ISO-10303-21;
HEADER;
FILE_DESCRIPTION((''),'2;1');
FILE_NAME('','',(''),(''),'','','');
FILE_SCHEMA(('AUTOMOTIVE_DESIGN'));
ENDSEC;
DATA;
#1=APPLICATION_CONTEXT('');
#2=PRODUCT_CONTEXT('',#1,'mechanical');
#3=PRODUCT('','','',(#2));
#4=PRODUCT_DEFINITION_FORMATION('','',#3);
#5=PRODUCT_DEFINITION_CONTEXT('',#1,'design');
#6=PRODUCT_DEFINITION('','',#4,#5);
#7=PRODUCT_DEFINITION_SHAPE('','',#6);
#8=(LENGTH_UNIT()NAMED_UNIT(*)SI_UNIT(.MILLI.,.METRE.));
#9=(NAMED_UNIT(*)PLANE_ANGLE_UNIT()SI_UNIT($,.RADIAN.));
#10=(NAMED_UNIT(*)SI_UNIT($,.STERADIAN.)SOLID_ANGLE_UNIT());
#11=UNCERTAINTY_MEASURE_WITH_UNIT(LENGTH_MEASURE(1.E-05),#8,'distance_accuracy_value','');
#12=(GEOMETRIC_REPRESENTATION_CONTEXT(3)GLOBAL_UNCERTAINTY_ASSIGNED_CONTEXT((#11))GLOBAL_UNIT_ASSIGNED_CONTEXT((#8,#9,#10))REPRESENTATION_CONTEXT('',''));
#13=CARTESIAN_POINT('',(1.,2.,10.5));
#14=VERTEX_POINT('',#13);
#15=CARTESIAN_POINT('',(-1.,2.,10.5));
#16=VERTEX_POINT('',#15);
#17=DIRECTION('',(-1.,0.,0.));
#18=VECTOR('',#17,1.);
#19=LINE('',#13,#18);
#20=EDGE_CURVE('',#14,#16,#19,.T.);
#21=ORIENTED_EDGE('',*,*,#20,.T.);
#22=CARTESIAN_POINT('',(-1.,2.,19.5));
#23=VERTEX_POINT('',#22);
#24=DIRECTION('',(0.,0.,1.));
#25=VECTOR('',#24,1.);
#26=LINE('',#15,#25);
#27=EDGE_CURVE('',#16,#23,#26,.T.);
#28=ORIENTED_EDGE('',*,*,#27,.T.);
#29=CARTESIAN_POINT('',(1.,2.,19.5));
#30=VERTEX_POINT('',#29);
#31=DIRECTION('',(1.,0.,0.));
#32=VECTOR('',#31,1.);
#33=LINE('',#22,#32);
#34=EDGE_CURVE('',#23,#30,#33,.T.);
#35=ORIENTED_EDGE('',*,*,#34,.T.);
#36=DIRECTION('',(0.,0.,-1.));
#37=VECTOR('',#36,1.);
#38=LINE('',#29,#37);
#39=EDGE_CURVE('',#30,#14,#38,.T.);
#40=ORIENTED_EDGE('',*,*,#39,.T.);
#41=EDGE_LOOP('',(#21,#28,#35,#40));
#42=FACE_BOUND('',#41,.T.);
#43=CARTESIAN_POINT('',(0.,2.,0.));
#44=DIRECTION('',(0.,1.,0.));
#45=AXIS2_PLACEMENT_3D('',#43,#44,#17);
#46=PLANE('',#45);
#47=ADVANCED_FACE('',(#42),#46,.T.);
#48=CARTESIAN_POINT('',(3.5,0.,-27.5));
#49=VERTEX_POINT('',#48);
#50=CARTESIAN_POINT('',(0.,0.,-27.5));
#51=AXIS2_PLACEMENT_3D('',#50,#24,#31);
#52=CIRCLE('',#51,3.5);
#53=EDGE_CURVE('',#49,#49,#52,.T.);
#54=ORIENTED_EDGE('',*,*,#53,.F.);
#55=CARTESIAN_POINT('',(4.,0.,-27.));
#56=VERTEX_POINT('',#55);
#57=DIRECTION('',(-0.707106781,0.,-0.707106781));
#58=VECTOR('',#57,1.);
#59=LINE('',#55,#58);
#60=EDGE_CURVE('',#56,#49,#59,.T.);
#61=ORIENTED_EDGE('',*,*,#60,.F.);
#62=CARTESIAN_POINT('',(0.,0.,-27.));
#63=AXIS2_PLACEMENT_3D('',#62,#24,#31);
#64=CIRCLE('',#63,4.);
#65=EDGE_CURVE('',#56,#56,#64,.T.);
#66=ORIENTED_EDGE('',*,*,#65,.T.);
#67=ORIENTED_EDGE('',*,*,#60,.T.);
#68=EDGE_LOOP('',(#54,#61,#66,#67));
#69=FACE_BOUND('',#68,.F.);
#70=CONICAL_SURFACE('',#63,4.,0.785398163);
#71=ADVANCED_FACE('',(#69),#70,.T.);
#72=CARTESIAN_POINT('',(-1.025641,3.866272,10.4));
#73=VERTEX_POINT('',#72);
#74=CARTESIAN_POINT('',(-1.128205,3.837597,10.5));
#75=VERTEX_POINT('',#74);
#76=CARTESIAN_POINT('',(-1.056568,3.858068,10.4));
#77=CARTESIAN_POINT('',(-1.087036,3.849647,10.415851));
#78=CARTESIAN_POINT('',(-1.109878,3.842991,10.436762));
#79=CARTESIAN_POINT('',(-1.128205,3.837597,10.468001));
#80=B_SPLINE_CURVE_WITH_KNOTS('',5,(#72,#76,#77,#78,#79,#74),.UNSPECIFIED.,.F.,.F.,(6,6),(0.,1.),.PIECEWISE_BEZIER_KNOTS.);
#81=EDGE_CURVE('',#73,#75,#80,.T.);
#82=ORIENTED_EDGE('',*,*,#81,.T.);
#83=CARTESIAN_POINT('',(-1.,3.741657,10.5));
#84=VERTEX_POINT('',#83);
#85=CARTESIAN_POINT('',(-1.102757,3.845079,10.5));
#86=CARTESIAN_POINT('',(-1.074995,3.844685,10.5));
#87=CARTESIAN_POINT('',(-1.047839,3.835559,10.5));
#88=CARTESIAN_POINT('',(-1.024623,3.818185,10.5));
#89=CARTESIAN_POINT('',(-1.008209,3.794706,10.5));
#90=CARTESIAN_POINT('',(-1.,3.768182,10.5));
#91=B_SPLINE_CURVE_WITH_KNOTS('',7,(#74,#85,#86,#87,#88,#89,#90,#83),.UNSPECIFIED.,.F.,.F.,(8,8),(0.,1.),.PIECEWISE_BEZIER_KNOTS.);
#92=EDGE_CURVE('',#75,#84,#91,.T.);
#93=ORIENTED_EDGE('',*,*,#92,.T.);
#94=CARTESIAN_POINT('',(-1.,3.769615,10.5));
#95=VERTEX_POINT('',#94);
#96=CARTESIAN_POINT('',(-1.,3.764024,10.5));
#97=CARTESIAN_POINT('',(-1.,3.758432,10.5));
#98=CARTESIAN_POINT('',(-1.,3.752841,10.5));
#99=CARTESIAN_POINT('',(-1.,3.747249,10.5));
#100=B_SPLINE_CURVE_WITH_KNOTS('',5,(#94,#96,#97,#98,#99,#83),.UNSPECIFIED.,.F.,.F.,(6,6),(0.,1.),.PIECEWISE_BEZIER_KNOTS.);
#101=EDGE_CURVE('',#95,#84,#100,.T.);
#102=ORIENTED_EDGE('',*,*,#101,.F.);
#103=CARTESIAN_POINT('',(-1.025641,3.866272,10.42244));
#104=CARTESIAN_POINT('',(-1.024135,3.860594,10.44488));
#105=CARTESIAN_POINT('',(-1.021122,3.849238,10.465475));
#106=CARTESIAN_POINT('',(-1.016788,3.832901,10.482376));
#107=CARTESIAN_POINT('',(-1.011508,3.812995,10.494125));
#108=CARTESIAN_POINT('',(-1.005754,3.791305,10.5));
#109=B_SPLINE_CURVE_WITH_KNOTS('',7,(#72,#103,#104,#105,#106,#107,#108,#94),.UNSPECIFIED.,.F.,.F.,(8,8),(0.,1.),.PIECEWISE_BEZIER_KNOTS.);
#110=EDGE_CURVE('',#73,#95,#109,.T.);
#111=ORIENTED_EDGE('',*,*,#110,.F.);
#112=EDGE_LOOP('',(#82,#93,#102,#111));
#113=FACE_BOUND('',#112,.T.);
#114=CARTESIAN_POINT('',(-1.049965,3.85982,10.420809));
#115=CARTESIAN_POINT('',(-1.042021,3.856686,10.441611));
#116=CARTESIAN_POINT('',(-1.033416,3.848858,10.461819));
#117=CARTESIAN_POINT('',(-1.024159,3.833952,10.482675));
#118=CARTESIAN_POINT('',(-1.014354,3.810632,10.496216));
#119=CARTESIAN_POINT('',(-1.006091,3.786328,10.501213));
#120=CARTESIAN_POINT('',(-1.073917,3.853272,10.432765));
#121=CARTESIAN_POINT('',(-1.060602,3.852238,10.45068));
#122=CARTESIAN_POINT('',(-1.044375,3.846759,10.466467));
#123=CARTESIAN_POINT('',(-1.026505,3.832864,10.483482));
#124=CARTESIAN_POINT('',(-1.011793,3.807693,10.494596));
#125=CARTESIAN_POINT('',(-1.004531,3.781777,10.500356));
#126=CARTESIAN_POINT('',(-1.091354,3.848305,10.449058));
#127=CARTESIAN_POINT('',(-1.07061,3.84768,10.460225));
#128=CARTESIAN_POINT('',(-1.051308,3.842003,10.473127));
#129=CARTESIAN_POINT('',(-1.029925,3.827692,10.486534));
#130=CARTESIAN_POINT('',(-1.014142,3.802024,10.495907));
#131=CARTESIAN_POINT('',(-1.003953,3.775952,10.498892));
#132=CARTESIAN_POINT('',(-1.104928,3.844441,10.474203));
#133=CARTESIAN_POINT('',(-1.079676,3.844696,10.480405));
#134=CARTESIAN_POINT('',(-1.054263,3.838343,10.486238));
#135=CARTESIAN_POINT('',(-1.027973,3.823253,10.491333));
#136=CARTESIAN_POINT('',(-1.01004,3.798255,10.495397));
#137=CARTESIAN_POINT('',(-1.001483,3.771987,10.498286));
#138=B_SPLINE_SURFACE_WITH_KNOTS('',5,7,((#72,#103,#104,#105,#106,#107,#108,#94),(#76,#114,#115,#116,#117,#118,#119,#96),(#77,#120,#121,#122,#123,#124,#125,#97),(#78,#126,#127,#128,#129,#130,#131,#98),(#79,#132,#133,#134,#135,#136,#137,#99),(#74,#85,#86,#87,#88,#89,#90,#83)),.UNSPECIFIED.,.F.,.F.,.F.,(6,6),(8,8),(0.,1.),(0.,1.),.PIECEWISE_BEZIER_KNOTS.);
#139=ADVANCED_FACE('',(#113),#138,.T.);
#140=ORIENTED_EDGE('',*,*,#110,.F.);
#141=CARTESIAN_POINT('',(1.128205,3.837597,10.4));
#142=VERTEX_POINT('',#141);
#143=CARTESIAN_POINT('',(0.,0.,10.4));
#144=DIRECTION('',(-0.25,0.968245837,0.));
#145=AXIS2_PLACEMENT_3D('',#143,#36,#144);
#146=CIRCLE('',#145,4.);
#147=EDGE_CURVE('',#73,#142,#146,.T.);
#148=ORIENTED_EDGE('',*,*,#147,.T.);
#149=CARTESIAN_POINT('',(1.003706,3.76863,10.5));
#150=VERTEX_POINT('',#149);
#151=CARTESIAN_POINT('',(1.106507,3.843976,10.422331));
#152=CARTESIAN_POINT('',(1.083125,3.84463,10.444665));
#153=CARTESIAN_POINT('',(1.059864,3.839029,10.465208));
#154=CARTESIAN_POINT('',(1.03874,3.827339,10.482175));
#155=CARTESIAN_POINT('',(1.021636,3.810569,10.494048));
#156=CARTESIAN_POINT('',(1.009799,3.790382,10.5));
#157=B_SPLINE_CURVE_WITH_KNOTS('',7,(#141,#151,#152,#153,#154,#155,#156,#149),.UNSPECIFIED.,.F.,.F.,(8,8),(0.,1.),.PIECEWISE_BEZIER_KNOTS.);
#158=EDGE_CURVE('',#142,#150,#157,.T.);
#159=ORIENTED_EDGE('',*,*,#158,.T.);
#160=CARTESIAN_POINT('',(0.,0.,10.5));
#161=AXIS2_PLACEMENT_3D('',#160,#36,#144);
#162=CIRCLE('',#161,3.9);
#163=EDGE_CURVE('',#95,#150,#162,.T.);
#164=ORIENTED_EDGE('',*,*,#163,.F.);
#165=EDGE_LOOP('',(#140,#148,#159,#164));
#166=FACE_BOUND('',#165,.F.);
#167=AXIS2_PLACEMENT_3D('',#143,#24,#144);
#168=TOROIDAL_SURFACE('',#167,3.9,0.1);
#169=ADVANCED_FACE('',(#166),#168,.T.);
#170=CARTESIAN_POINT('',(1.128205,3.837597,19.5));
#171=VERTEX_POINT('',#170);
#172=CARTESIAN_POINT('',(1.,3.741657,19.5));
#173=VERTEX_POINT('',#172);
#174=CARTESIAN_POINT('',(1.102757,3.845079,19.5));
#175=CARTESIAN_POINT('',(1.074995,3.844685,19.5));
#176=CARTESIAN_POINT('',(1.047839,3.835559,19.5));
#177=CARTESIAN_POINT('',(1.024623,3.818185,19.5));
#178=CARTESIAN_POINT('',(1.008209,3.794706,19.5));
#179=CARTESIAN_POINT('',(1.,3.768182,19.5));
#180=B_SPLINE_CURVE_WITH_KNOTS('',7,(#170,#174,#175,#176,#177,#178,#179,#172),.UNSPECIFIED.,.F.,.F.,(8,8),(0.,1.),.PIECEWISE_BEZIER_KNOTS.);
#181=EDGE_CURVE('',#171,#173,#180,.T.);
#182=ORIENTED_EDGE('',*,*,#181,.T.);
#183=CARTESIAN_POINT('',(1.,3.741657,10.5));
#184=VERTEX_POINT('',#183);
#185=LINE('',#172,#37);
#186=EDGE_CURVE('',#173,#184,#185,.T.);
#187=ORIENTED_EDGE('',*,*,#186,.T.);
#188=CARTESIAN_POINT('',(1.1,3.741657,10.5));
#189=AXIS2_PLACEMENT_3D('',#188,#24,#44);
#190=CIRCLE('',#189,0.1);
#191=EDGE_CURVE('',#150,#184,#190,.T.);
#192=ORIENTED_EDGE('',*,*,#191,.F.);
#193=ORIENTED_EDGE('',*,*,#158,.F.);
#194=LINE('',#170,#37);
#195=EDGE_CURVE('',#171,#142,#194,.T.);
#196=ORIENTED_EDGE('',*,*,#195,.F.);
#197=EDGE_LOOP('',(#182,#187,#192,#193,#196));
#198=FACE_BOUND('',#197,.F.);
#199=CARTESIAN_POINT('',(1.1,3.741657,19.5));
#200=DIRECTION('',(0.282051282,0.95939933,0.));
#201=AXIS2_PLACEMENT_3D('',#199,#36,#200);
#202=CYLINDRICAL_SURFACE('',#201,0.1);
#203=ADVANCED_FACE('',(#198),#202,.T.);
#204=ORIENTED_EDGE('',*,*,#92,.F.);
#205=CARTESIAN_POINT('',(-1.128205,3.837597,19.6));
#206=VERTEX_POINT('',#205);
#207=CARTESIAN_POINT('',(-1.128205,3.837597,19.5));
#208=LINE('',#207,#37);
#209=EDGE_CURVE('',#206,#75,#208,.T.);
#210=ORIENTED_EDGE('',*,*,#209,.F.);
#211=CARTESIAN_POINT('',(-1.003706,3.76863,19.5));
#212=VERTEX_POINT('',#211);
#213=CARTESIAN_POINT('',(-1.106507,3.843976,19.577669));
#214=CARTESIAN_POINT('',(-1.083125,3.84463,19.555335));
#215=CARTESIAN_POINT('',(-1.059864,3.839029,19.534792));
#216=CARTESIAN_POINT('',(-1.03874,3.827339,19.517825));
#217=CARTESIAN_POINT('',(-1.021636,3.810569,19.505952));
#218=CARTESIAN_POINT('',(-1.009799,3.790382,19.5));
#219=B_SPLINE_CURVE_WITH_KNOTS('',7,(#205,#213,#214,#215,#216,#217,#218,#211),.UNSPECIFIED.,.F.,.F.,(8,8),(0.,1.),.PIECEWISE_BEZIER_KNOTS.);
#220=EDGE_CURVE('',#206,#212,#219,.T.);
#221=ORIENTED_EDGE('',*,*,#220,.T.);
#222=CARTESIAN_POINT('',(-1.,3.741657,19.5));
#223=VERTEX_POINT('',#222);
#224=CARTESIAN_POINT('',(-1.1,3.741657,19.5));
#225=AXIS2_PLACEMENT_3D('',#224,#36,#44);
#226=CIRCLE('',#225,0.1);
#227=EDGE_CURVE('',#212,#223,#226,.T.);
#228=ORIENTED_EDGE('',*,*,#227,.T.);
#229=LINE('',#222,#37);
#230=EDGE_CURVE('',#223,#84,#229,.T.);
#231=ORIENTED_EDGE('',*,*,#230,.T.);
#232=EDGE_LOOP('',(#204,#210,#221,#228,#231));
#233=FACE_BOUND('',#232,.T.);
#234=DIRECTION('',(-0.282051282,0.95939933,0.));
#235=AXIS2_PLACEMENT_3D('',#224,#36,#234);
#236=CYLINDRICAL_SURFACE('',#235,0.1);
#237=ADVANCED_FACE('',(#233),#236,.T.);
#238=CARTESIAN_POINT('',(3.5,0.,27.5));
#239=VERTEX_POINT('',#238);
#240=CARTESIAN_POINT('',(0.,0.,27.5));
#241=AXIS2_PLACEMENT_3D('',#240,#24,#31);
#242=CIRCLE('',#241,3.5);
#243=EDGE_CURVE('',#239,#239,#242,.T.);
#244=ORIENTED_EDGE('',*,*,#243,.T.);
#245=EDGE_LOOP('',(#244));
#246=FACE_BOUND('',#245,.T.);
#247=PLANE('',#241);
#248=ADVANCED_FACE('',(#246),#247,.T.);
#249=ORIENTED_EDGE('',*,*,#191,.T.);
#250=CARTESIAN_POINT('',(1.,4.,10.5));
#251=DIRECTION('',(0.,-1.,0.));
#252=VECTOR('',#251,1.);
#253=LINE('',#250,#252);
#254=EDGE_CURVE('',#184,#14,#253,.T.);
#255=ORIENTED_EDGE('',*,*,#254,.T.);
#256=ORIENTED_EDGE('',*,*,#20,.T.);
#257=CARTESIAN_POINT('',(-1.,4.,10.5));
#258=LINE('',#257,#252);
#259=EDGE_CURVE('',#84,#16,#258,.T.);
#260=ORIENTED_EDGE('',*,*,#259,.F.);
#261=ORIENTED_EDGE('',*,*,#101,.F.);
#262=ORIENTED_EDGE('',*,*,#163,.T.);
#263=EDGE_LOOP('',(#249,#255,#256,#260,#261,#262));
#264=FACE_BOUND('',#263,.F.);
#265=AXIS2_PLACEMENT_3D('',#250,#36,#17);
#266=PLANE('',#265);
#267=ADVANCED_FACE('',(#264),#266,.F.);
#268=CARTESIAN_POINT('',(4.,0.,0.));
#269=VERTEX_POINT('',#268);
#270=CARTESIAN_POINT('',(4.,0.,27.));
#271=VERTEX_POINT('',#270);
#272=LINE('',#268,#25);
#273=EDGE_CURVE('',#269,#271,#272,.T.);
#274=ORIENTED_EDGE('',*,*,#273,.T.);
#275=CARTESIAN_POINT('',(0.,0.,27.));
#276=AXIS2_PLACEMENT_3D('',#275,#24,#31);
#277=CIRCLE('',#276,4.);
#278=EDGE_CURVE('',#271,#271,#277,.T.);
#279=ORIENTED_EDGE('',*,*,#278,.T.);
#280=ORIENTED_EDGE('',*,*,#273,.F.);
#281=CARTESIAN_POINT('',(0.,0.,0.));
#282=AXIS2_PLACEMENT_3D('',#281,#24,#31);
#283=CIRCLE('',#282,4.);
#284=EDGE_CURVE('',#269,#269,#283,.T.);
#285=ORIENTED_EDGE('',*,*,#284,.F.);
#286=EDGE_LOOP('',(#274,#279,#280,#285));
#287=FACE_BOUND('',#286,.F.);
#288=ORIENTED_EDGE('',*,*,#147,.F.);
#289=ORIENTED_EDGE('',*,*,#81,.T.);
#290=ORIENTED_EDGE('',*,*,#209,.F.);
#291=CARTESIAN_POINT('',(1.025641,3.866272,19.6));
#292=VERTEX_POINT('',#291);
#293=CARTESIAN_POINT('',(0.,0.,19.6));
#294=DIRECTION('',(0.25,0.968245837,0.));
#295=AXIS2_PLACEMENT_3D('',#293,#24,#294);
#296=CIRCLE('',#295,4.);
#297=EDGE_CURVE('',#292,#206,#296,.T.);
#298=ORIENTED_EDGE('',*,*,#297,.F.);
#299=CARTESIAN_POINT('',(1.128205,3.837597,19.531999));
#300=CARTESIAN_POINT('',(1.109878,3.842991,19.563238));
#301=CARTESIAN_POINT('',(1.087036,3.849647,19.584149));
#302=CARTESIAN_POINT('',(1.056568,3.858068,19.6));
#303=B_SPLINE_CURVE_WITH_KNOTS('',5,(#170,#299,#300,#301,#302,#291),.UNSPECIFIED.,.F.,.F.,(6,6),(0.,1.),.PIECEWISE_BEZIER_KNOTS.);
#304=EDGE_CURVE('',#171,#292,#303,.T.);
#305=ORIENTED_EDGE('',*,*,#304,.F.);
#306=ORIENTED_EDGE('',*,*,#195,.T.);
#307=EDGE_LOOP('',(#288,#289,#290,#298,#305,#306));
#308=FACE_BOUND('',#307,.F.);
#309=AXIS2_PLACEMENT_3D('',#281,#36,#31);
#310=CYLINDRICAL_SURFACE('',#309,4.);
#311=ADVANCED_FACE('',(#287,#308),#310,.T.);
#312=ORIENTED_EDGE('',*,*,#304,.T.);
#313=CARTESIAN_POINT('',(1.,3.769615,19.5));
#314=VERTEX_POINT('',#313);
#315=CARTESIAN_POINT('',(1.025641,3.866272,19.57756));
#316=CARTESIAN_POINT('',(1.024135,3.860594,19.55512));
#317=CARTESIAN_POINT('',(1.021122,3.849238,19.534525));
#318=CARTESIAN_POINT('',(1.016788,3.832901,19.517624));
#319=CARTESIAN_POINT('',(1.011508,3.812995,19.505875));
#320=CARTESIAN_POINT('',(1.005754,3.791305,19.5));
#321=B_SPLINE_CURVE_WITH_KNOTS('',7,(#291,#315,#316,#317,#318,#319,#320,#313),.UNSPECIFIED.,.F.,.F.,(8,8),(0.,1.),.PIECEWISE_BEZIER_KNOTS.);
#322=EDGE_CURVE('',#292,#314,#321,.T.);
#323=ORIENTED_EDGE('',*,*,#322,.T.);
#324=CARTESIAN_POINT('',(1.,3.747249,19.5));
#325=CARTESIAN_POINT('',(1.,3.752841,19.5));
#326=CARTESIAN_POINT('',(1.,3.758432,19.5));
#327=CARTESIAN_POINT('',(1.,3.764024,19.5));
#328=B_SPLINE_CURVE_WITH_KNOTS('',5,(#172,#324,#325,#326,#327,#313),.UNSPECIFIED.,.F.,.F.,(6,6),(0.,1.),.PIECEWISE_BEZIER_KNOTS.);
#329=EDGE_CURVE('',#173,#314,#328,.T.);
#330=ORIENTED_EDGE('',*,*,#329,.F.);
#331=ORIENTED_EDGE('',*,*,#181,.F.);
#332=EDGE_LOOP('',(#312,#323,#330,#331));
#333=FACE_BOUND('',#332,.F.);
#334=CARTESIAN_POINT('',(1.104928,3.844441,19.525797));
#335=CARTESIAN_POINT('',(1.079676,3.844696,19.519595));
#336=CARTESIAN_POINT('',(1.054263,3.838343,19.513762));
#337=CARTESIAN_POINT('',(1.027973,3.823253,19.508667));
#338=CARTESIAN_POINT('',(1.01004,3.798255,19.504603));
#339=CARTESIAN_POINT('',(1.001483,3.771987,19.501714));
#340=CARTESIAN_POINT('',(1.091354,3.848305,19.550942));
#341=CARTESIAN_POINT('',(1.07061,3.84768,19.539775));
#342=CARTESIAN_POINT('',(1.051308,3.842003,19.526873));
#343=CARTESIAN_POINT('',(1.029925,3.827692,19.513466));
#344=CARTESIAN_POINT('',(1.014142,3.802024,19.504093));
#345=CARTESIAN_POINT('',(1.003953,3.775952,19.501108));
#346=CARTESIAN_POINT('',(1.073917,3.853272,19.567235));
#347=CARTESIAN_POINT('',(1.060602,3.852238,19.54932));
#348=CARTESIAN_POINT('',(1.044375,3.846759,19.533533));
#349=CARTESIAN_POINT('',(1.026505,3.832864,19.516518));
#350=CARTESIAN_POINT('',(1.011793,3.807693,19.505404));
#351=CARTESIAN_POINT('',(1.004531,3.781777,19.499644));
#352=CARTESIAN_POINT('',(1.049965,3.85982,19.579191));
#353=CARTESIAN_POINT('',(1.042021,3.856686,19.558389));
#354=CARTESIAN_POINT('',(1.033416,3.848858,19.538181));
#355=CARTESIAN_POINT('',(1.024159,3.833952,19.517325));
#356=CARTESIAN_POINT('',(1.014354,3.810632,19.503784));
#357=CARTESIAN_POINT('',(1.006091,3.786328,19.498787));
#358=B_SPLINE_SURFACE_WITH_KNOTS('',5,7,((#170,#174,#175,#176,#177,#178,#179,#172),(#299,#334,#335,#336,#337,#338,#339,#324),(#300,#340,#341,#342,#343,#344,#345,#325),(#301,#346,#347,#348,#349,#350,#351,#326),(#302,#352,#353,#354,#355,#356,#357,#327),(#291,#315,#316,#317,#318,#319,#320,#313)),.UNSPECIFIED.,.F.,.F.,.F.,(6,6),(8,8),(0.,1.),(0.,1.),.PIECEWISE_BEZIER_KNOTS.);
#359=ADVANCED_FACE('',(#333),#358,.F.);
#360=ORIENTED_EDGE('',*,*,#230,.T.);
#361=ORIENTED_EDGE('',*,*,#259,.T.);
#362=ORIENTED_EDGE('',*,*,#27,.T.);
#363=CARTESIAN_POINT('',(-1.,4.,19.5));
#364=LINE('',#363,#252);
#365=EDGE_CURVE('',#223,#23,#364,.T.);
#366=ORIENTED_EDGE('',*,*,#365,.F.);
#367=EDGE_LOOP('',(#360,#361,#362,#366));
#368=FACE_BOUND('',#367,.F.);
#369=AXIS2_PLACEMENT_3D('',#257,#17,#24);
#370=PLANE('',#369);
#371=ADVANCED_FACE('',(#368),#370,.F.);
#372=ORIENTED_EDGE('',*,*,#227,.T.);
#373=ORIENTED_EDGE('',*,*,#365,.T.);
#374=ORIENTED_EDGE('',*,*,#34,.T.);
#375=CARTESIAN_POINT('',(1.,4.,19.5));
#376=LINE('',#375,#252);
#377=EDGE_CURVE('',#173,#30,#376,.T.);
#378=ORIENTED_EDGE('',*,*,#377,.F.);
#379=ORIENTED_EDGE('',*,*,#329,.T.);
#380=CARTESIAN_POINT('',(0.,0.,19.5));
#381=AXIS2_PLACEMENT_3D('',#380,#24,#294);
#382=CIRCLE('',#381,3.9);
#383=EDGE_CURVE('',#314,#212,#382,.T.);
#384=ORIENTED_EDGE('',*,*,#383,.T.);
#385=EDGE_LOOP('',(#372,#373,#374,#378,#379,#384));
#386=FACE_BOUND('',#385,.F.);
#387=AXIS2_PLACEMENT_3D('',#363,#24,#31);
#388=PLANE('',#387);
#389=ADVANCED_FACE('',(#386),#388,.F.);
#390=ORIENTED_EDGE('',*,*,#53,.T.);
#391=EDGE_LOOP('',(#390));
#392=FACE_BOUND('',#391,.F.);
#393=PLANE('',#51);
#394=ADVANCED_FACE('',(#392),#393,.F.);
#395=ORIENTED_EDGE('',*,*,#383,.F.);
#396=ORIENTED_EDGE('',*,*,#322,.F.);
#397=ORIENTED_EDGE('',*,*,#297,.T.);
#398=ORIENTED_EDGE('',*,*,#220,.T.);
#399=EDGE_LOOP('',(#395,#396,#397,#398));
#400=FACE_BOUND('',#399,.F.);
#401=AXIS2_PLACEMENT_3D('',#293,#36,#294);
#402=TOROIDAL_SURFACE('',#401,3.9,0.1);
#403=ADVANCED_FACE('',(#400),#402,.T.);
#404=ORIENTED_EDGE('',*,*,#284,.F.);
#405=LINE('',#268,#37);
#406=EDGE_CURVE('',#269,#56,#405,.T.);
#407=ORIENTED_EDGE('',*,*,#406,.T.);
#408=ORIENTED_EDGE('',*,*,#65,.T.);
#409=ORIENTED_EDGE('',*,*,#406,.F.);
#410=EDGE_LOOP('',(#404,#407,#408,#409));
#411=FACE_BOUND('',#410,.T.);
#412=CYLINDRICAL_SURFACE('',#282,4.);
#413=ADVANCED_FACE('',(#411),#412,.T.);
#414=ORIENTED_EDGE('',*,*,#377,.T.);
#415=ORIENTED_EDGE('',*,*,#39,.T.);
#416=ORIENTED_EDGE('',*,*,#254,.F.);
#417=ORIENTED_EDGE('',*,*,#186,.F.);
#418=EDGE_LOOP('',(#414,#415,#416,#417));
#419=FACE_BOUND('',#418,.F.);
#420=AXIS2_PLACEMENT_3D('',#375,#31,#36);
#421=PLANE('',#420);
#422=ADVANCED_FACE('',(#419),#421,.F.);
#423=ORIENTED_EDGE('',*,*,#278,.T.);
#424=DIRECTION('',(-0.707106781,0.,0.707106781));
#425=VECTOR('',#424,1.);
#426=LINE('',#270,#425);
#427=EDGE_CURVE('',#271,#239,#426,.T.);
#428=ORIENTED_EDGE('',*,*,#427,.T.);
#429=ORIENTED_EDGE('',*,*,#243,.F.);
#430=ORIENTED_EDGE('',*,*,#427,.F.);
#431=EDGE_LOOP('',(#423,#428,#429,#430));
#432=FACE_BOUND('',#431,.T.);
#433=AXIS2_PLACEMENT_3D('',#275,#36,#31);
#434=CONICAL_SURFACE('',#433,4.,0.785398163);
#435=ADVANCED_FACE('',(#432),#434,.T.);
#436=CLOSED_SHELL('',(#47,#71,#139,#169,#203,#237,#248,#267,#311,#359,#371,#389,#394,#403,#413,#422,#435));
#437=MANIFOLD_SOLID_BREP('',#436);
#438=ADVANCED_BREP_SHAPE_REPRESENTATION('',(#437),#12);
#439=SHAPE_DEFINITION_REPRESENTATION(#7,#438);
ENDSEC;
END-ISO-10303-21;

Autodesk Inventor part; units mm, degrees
ref_plane "YZ Plane" through (0, 0, 0) normal (1, 0, 0) x (0, 1, 0)
ref_plane "XY Plane" through (0, 0, 0) normal (0, 0, 1) x (1, 0, 0)
sketch "Sketch1" plane through (0, 0, 0) normal (0, 0, 1) x (1, 0, 0)
  circle A0 centre (0, 0) radius 4
  dimension "d0" = 8
extrude "Extrusion1" add sketch "Sketch1" along normal mid plane 55
chamfer "Chamfer1" distance 0.5 angle 45 2 edges at (-4, 0, 27.5) (-4, 0, -27.5)
ref_plane "Work Plane1" through (0, 4, 0) normal (0, 1, 0) x (-1, 0, 0)
sketch "Sketch2" plane through (0, 4, 0) normal (0, 1, 0) x (-1, 0, 0)
  line L0 (-3.5, 27.5) -> (3.5, 27.5) projected
  line L1 (4, -27) -> (4, 27) projected
  line L2 (1, 19.5) -> (-1, 19.5)
  line L3 (-1, 19.5) -> (-1, 10.5)
  line L4 (-1, 10.5) -> (1, 10.5)
  line L5 (1, 10.5) -> (1, 19.5)
  point P0 (0, 0)
  dimension "d7" = 2
  dimension "d8" = 9
  dimension "d9" = 8
  dimension "d10" = 1
extrude "Extrusion2" cut sketch "Sketch2" against normal blind 2
fillet "Fillet1" radius 0.1 4 edges at (1, 3.873, 15) (0, 4, 10.5) (-1, 3.873, 15) (0, 4, 19.5)
properties part number "asGearbox" material "Stainless Steel"
